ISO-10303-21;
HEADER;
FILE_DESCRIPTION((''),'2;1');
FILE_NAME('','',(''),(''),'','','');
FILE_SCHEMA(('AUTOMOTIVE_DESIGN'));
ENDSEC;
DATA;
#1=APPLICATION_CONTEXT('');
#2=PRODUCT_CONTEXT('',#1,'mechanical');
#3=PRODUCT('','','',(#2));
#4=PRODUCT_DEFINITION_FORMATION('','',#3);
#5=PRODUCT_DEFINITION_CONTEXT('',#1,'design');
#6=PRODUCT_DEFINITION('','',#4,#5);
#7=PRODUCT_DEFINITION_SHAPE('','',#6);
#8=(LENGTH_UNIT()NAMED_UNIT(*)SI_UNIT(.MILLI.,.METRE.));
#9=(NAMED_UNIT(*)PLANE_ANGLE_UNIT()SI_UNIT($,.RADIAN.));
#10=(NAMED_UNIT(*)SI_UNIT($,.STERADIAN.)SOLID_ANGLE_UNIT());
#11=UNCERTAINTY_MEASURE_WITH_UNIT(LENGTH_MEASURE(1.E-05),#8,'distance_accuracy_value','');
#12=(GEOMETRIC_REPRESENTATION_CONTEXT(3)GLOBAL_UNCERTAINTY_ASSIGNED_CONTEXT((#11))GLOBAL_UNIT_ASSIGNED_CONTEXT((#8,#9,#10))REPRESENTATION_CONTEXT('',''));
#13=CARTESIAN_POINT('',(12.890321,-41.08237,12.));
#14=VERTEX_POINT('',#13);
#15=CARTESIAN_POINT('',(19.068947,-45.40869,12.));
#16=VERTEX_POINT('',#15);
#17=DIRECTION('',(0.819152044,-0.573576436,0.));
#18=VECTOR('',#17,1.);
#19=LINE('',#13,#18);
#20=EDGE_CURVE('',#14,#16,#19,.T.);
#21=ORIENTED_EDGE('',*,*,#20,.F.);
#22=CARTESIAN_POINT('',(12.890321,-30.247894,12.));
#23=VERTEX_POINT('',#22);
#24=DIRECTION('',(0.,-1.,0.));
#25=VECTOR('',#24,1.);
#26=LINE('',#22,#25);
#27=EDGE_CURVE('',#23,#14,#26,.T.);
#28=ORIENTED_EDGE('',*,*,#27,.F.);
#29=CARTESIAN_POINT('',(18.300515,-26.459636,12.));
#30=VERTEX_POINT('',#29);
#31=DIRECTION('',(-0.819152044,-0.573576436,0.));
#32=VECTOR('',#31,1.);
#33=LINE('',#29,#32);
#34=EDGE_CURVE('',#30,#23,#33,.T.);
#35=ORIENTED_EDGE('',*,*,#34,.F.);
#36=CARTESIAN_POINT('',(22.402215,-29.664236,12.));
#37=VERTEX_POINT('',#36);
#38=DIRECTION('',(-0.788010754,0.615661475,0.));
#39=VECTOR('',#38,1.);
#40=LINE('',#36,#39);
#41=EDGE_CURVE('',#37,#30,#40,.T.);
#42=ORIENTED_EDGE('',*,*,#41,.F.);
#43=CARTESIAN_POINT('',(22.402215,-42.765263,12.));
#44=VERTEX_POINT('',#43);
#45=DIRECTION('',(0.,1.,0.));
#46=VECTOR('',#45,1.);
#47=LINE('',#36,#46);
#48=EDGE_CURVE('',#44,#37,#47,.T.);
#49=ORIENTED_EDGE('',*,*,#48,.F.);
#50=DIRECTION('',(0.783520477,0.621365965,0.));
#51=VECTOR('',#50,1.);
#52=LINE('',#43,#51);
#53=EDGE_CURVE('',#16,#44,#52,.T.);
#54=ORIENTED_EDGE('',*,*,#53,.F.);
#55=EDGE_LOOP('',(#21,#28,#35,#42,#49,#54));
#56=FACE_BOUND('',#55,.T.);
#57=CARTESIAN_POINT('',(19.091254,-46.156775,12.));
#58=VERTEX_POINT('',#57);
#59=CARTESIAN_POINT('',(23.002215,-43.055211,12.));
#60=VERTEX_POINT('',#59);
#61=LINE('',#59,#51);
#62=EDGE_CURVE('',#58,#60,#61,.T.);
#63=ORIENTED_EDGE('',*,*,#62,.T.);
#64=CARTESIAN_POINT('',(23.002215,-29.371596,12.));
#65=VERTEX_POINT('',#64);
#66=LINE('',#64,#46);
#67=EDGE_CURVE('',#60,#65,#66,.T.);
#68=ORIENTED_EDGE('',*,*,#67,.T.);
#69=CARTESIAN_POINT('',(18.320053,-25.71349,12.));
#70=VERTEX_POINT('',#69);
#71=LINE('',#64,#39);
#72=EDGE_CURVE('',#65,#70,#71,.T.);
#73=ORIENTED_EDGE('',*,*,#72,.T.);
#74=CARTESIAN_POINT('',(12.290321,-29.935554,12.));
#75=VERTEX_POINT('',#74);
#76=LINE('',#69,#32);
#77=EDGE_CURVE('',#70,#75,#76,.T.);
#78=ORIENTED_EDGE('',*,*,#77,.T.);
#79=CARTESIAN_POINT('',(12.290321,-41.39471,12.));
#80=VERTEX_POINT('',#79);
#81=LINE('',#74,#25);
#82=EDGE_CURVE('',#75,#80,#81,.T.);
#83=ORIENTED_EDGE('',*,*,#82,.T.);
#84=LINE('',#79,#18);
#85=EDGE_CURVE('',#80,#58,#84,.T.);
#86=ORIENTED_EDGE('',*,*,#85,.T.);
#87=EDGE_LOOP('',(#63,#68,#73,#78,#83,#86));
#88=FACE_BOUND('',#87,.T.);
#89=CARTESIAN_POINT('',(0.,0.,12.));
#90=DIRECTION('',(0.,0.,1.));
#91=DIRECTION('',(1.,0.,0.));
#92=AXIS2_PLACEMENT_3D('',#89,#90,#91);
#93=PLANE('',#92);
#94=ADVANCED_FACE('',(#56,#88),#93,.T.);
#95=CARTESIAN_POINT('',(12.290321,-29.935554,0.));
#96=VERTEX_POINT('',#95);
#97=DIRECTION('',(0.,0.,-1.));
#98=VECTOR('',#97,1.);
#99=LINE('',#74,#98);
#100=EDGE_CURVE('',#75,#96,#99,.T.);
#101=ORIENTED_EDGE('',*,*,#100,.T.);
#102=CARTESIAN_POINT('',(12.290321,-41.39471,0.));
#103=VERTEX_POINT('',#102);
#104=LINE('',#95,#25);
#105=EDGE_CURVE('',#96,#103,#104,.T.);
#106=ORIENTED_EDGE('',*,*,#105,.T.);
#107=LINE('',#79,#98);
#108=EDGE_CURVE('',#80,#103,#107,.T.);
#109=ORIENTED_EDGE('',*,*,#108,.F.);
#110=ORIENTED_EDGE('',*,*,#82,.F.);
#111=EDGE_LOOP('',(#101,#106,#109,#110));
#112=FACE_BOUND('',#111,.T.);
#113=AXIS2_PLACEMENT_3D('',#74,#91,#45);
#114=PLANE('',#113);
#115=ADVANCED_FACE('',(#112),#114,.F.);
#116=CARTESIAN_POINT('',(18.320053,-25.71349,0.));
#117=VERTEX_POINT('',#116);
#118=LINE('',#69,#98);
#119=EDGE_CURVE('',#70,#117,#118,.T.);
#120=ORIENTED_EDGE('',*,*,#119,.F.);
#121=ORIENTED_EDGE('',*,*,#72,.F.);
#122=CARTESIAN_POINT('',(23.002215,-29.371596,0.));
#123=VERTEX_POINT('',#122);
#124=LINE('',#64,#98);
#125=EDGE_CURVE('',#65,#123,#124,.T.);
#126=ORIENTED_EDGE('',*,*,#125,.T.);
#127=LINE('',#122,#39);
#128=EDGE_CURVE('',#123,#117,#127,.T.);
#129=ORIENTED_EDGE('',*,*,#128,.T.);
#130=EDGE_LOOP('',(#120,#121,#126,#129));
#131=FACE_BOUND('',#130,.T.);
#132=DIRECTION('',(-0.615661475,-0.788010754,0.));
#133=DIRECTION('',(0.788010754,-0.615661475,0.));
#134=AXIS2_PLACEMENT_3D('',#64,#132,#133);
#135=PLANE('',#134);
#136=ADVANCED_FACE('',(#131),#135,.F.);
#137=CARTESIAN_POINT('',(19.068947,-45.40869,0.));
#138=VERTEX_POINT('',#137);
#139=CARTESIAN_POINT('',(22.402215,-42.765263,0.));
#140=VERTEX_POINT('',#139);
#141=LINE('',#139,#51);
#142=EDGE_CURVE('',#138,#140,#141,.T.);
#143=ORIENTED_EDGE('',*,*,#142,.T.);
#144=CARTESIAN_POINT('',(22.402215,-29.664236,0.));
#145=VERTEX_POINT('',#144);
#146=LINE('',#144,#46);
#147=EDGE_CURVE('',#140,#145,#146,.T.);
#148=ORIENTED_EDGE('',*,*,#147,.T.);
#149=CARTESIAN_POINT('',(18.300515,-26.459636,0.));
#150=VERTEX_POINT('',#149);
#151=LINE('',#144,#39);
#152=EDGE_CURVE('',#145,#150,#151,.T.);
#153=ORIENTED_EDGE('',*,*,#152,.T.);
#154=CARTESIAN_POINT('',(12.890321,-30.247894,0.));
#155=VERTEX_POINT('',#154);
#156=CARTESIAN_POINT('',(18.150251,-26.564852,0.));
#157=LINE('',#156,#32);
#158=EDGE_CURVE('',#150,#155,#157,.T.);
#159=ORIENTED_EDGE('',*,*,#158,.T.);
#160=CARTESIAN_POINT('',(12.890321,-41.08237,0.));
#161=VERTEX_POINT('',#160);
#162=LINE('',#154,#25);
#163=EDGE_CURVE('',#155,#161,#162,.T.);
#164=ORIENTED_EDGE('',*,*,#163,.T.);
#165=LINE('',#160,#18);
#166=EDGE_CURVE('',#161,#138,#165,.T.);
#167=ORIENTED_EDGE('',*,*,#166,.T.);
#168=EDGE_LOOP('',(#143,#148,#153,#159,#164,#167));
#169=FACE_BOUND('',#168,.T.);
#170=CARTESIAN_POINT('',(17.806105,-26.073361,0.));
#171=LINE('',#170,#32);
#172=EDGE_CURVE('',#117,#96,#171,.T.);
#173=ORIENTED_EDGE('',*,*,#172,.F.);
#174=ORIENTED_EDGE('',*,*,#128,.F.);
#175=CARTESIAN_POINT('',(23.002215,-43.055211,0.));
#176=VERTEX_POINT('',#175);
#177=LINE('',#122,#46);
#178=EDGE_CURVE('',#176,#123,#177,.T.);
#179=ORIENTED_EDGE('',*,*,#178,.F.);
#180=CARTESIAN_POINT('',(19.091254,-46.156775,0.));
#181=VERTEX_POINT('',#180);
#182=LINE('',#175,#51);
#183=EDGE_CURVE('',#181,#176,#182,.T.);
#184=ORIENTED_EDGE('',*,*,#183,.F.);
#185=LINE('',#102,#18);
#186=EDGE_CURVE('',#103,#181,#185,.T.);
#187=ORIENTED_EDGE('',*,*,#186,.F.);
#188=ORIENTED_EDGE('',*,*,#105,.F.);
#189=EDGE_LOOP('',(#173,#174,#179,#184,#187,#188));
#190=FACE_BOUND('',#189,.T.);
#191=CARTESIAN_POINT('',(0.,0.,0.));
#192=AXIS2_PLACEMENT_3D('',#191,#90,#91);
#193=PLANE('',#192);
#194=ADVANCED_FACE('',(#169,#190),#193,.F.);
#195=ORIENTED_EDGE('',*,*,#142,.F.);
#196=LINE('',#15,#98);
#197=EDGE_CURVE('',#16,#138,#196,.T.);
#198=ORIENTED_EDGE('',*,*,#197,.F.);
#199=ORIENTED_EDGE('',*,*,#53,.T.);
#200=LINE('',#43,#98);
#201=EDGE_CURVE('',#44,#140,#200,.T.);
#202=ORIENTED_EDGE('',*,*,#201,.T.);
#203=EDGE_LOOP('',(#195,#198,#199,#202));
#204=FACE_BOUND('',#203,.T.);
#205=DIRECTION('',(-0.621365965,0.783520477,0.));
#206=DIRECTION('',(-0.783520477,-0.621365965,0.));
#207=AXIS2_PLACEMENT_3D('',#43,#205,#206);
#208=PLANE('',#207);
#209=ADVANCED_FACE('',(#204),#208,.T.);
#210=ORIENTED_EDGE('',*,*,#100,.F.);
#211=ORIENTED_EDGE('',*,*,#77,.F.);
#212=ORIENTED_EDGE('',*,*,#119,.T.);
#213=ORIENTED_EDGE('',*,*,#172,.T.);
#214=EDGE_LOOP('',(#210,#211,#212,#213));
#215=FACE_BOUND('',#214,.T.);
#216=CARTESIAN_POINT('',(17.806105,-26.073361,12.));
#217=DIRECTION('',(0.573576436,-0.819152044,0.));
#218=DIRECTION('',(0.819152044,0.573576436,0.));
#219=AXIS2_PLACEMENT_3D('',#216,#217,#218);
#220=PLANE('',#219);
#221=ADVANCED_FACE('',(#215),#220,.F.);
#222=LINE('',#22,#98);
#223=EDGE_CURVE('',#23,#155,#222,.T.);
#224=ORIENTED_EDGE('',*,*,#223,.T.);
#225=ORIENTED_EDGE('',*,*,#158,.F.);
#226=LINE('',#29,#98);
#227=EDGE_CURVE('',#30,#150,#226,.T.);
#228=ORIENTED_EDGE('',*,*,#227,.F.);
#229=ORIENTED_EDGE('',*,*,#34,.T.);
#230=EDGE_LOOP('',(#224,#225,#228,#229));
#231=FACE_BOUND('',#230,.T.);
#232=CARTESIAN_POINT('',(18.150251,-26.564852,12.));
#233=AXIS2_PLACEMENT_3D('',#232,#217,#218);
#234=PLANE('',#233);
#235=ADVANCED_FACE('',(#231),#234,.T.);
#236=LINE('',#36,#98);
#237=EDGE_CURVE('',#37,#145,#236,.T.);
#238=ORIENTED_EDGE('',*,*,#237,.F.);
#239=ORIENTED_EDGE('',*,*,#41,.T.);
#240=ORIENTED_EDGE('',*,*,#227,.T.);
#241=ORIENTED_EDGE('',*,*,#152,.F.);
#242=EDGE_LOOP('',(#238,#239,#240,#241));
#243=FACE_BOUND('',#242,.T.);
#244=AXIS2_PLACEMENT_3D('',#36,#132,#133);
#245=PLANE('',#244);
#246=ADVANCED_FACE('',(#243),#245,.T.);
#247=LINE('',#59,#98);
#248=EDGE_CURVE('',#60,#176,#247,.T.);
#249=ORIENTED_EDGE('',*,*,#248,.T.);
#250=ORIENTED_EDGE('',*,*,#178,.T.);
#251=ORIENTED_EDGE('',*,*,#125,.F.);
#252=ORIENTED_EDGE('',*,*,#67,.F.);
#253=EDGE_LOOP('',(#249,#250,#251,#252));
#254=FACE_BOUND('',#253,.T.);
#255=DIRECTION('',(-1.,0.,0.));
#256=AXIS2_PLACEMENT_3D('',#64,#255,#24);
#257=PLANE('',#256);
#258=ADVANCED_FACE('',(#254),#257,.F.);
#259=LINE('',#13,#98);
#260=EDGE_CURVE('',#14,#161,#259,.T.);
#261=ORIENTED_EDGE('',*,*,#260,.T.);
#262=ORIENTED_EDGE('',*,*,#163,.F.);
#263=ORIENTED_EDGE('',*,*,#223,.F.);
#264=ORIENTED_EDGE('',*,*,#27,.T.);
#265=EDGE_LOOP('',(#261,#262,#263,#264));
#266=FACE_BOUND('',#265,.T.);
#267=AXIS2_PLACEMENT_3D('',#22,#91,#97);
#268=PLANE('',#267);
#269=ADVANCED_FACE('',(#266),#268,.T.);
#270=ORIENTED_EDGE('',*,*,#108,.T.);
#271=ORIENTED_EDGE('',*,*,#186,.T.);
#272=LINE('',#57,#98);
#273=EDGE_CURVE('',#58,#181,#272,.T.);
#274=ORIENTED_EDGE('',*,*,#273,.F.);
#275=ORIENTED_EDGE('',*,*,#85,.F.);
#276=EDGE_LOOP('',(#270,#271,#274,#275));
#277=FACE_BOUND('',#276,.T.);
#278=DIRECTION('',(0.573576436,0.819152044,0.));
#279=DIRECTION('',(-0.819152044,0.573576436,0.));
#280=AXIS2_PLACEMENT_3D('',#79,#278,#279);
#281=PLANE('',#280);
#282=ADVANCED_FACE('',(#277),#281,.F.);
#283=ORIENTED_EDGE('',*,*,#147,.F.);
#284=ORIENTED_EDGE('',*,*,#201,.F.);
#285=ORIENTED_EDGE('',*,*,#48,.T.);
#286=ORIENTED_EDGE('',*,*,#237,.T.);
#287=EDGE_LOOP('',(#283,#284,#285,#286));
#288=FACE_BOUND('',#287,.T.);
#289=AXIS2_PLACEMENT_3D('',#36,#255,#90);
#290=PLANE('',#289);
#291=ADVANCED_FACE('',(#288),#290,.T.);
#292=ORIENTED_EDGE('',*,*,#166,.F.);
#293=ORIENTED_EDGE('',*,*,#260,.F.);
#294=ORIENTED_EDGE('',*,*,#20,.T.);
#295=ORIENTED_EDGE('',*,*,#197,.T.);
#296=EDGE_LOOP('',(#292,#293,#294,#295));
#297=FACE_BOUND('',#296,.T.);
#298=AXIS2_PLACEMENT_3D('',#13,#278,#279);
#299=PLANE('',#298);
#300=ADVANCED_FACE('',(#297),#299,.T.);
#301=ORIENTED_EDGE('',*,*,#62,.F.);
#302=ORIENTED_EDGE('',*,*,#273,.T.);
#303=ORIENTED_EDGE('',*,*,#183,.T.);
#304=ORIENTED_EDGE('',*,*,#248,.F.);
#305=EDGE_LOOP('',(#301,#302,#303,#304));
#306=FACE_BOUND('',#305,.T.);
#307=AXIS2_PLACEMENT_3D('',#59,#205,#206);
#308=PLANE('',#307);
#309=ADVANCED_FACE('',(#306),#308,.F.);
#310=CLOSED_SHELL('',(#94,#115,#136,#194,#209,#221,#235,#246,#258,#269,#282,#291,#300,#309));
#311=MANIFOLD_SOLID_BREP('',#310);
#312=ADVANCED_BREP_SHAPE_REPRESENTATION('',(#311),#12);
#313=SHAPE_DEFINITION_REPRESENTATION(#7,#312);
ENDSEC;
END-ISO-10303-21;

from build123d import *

# Parameters (mm, degrees)
BOSS_EXTRUDE1_DEPTH = 12


with BuildPart() as part:
    # Sketch1 → Boss-Extrude1 (new body)
    with BuildSketch(Plane.XY):
        Polygon((23.002215311, -29.371596289), (18.32005302, -25.71349019), (17.806104696, -26.07336068), (12.290321363, -29.935553749), (12.290321363, -41.394710348), (19.091253879, -46.156774563), (23.002215311, -43.055211302), align=None)
        Polygon((18.150250558, -26.564851907), (12.890321363, -30.24789398), (12.890321363, -41.082370118), (19.06894702, -45.408690378), (22.402215311, -42.765263014), (22.402215311, -29.664235842), (18.300514505, -26.459635958), align=None, mode=Mode.SUBTRACT)
    extrude(amount=BOSS_EXTRUDE1_DEPTH)


solid = part.part
